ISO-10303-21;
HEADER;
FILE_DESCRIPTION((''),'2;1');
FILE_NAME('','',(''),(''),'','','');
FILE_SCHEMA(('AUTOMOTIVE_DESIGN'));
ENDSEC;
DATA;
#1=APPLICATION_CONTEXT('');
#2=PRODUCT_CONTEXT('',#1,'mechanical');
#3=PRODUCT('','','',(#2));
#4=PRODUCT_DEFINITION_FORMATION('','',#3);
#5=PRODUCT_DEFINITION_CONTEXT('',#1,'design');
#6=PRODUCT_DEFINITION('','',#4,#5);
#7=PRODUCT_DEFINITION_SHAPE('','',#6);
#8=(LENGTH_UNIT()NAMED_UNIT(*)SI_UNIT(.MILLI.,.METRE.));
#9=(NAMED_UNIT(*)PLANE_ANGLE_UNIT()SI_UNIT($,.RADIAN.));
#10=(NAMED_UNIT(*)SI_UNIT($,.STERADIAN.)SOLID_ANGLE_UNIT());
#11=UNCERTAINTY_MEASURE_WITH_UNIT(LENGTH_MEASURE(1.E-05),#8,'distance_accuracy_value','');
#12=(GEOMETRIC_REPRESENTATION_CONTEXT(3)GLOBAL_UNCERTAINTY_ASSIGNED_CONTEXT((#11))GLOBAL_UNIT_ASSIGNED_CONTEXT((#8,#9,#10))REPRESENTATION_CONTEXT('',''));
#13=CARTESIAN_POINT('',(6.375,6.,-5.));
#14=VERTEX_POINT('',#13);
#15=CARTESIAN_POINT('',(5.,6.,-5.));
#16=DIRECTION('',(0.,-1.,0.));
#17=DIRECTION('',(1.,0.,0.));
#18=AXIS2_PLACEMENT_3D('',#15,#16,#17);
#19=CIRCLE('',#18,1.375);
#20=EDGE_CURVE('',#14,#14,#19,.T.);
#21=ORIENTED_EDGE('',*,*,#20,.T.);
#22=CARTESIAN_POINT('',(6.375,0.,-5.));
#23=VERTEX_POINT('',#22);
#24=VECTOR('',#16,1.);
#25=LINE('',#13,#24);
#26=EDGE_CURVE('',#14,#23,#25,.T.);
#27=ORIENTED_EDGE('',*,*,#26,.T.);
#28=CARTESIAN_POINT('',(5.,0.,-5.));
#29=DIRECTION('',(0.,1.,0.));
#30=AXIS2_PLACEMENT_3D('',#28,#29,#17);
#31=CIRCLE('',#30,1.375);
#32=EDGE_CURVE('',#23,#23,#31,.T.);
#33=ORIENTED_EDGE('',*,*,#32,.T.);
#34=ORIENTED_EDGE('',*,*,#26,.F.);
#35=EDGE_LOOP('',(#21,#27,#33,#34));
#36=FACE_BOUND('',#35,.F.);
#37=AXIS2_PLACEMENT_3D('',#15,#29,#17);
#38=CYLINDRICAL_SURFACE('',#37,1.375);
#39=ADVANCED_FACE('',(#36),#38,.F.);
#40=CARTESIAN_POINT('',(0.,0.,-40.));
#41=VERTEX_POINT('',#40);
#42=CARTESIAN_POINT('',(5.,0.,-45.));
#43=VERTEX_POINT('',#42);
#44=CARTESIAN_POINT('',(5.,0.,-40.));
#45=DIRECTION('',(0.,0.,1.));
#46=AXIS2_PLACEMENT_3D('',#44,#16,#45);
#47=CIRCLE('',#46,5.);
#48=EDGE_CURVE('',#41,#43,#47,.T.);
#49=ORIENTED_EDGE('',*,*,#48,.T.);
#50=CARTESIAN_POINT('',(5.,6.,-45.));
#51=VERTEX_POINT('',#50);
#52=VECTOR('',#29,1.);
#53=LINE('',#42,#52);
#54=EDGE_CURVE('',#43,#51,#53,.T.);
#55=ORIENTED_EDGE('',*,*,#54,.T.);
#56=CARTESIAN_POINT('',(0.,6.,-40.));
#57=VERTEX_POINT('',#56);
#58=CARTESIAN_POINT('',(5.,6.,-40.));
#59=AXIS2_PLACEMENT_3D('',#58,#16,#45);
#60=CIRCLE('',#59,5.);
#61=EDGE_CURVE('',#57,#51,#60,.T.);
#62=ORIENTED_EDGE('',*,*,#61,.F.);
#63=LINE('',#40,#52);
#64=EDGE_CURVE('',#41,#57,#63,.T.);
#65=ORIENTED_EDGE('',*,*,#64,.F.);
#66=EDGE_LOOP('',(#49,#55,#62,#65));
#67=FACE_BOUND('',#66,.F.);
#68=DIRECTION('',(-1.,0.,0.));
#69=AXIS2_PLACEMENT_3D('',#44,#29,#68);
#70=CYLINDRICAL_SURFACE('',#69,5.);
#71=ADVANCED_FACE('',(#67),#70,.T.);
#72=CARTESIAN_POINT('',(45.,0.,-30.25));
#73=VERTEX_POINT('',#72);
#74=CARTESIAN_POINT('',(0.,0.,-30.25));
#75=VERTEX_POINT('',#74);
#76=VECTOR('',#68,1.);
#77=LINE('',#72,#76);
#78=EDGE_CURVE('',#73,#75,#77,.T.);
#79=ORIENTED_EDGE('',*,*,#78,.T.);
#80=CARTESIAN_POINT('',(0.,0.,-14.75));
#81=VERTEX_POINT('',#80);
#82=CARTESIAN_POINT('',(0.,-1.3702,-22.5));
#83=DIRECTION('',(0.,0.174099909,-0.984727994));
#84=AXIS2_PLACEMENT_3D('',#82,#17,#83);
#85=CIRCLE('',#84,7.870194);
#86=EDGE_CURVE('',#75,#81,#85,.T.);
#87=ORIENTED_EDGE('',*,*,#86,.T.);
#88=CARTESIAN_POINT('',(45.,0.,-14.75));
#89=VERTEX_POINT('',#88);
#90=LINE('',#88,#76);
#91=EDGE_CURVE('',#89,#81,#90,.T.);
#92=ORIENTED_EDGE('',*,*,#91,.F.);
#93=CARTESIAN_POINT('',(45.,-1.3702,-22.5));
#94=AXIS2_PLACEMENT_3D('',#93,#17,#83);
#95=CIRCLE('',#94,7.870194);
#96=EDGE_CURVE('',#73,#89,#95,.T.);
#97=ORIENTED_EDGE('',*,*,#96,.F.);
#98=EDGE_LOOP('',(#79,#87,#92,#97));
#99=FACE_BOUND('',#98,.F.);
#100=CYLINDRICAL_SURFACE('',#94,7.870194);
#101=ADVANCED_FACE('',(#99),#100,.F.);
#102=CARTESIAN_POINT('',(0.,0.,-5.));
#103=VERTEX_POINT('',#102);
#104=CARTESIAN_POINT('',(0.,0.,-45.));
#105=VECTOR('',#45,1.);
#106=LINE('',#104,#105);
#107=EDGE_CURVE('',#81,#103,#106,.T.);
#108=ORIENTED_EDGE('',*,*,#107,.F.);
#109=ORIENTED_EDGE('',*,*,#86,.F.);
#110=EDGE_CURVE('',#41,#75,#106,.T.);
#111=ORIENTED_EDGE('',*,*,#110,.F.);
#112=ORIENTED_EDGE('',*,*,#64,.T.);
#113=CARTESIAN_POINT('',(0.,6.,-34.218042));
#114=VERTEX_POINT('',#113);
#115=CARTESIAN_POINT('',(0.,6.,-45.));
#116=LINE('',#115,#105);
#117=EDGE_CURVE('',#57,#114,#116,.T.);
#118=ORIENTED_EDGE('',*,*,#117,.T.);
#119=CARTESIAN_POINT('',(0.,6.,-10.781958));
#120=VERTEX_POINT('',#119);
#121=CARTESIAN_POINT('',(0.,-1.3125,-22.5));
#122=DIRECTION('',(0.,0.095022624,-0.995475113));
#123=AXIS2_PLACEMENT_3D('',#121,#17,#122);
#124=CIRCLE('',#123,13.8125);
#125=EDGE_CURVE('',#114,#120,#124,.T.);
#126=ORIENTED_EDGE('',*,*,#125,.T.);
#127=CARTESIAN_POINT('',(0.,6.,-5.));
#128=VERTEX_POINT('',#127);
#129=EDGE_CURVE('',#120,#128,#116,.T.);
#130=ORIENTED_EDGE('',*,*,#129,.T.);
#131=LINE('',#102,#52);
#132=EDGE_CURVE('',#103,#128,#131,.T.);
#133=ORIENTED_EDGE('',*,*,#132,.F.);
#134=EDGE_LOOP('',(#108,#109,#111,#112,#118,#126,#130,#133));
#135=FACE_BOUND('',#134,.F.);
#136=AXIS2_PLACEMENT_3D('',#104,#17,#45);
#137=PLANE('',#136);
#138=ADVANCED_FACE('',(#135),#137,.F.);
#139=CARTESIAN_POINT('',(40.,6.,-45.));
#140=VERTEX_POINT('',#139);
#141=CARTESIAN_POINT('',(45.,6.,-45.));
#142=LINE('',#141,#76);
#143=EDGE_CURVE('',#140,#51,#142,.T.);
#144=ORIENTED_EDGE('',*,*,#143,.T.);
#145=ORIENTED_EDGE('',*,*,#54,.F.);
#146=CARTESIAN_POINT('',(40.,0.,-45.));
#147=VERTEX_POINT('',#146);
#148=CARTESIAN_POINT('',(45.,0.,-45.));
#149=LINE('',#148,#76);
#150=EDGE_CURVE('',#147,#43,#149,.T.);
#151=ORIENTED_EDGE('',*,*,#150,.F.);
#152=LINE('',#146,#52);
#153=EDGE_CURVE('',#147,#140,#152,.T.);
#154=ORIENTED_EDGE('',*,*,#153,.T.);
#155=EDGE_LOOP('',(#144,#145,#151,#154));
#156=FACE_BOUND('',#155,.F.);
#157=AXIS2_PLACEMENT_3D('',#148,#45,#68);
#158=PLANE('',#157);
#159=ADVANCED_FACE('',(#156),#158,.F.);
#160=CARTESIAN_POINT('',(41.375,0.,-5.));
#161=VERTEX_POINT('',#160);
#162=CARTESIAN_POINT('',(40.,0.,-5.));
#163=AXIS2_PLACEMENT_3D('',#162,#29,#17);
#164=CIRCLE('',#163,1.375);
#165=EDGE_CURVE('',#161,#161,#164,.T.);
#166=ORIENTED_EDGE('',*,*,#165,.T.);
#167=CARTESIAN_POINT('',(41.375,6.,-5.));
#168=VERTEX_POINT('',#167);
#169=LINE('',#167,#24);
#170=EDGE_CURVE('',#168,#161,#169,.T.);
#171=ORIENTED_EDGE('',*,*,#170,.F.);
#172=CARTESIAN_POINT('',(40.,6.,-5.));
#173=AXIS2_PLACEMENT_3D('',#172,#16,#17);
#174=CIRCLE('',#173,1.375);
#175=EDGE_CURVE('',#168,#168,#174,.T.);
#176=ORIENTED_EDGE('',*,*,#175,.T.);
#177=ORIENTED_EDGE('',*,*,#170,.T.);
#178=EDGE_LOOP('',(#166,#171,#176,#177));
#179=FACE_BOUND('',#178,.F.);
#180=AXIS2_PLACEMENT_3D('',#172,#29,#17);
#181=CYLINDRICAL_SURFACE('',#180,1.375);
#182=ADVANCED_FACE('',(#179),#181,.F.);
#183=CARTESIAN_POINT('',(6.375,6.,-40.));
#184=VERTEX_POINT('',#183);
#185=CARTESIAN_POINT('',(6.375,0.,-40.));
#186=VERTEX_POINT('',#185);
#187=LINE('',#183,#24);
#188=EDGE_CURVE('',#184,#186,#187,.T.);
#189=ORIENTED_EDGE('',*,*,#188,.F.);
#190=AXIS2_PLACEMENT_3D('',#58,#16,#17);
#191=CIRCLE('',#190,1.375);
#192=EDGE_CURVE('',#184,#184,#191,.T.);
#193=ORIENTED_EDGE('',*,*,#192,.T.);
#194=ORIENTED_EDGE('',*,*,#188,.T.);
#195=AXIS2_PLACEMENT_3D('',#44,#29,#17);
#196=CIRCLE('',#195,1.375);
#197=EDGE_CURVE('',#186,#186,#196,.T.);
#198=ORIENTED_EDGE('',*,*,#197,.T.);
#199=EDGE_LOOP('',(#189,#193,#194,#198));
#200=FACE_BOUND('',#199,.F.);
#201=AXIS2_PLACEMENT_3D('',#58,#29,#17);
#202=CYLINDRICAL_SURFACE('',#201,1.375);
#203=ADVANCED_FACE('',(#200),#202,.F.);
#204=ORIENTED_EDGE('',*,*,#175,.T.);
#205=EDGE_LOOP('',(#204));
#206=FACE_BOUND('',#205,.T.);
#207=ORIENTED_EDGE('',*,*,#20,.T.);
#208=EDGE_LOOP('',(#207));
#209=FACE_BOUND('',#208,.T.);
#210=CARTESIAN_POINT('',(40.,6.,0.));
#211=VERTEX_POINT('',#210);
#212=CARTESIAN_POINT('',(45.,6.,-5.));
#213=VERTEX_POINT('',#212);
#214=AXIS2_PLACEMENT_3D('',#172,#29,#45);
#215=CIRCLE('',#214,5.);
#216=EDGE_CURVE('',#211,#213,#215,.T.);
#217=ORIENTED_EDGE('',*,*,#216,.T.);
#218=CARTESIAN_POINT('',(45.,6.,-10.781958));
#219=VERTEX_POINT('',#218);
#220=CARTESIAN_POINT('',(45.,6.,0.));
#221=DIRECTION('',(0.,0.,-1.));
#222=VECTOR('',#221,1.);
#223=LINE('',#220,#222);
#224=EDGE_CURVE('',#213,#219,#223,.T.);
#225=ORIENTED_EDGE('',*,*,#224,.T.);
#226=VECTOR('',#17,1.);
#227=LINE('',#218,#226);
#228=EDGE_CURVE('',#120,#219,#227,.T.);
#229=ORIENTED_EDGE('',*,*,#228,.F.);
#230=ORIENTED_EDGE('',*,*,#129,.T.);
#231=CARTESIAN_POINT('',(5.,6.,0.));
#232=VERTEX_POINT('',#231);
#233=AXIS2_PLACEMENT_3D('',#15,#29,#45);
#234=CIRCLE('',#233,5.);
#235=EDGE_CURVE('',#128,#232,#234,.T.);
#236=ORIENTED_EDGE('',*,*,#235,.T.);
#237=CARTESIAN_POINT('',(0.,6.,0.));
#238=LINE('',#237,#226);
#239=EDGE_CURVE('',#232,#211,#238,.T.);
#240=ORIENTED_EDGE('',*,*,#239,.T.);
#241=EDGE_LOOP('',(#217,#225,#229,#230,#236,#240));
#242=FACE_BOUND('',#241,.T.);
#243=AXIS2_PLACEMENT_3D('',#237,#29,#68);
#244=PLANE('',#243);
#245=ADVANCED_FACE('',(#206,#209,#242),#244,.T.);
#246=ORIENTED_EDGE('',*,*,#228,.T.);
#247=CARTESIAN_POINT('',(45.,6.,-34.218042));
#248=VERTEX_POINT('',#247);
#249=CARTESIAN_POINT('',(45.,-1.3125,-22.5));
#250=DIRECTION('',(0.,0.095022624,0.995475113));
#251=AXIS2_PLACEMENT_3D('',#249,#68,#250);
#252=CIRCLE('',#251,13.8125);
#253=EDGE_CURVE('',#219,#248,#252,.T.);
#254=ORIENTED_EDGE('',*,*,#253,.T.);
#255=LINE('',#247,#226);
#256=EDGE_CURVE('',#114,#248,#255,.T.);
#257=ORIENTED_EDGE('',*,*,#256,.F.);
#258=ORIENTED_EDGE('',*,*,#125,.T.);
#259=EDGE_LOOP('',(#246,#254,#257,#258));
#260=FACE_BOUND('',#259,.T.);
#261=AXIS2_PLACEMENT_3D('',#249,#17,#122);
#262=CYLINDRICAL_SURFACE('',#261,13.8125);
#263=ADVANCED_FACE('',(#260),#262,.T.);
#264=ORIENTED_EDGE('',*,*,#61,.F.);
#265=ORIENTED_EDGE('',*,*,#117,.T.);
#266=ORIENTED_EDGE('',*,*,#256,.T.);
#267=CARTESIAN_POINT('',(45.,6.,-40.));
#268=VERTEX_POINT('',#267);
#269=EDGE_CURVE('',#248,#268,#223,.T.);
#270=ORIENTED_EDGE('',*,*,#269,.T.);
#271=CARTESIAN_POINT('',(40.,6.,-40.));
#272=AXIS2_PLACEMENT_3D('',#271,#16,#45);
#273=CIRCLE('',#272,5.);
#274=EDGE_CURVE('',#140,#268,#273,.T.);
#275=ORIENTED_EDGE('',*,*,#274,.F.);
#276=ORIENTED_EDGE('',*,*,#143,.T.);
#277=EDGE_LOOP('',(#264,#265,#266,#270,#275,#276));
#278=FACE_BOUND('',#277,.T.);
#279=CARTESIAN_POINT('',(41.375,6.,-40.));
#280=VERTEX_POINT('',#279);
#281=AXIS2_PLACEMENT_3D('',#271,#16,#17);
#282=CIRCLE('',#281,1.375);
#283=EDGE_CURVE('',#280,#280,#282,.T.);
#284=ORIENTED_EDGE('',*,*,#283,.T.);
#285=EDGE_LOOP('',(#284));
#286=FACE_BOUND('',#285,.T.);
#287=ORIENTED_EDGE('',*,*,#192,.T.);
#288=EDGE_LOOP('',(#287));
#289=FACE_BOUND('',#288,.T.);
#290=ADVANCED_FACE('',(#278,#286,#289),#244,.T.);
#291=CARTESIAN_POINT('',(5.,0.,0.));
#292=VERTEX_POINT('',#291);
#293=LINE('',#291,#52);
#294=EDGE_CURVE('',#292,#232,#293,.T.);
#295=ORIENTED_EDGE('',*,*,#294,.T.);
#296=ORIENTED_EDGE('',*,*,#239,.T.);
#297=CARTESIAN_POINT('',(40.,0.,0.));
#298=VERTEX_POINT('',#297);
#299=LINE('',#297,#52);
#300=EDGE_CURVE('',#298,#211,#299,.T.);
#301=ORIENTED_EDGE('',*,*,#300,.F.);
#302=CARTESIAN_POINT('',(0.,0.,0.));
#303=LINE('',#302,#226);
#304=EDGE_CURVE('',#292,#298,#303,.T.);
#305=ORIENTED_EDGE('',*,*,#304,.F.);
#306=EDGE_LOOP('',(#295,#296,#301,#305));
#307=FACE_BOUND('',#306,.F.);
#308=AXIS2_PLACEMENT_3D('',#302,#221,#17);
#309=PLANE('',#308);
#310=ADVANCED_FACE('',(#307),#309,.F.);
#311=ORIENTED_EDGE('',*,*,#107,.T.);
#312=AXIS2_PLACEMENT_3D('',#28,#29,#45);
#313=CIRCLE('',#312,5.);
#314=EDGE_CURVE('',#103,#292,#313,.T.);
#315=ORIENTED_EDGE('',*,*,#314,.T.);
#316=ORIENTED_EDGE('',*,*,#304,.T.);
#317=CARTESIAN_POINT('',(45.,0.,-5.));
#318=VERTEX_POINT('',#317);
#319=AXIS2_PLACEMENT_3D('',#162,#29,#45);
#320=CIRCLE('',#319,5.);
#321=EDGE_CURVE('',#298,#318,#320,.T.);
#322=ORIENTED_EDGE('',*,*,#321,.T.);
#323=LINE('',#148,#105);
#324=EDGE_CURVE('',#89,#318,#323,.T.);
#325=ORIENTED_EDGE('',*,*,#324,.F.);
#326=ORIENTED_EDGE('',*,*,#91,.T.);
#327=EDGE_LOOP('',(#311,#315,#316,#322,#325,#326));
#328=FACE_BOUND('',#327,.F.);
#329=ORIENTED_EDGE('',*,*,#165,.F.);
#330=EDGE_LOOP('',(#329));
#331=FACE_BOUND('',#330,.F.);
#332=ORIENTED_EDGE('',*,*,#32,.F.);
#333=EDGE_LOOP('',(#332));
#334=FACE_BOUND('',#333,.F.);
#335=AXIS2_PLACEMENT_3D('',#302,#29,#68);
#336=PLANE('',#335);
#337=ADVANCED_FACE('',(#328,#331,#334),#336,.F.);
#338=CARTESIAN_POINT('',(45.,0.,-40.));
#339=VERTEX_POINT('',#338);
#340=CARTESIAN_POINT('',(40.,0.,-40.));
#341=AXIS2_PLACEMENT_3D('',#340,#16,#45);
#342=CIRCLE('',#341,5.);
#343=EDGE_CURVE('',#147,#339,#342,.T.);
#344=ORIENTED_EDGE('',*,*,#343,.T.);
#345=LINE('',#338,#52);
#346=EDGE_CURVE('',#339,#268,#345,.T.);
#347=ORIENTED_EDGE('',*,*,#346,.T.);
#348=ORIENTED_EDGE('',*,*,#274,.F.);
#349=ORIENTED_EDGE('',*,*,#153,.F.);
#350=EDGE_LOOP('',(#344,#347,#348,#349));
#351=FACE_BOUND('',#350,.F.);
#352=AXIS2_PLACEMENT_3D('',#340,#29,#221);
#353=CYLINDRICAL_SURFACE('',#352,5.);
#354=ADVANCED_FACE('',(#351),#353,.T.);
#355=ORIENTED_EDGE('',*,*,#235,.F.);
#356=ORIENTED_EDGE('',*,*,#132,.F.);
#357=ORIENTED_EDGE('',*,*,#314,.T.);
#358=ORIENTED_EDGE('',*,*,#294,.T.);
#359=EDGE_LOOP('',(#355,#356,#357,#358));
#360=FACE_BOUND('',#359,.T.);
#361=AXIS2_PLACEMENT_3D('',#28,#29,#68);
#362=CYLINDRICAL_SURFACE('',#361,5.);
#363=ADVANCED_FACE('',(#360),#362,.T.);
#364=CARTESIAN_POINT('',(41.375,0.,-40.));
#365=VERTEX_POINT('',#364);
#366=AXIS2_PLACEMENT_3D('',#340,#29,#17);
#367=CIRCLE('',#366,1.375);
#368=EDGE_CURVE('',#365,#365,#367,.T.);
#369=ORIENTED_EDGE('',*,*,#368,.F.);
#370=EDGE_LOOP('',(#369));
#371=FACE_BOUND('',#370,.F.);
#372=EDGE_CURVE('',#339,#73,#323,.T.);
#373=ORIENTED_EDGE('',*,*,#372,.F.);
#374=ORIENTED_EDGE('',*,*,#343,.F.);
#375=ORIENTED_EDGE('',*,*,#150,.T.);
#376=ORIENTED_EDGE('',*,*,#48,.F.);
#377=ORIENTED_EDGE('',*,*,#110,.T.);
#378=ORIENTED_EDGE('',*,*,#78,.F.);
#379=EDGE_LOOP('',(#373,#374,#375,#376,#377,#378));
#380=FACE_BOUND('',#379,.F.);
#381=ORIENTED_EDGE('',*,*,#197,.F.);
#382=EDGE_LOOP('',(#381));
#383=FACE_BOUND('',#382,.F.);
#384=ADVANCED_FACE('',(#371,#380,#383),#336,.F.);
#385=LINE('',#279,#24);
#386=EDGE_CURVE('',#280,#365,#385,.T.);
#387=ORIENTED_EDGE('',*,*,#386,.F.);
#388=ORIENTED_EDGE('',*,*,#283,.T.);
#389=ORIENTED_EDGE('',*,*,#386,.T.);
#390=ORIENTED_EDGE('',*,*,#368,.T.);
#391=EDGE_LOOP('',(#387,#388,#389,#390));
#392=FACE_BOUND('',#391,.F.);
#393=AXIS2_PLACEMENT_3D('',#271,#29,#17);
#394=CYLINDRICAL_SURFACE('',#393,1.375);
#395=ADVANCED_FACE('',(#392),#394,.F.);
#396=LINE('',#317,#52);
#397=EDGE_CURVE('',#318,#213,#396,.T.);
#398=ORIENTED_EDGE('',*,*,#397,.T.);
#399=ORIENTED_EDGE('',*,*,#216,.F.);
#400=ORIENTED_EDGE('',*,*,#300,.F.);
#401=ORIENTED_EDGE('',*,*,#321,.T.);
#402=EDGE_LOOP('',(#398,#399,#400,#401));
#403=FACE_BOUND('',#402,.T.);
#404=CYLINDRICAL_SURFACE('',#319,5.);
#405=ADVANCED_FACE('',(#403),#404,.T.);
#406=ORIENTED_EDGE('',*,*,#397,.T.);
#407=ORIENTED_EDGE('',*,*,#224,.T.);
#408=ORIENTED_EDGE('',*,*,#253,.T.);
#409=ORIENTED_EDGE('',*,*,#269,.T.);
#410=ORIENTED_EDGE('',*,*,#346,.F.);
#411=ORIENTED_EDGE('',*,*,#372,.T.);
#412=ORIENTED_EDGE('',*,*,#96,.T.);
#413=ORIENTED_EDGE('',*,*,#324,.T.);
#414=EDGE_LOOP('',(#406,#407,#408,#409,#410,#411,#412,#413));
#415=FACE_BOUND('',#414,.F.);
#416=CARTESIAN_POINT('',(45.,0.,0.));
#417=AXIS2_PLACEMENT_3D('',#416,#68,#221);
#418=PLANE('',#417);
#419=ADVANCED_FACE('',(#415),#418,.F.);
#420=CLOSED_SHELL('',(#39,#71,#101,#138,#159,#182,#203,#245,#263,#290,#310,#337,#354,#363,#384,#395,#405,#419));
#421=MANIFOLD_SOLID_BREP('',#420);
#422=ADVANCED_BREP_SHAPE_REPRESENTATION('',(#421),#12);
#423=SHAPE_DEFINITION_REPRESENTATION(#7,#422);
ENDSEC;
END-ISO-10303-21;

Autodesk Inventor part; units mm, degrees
ref_plane "YZ Plane" through (0, 0, 0) normal (1, 0, 0) x (0, 1, 0)
ref_plane "XZ Plane" through (0, 0, 0) normal (0, 1, 0) x (-1, 0, 0)
ref_plane "XY Plane" through (0, 0, 0) normal (0, 0, 1) x (1, 0, 0)
sketch "Sketch1" plane through (0, 0, 0) normal (0, 1, 0) x (-1, 0, 0)
  line L0 (0, 0) -> (-45, 0)
  line L1 (-45, 0) -> (-45, -45)
  line L2 (-45, -45) -> (0, -45)
  line L3 (0, -45) -> (0, 0)
  dimension "d0" = 45
  dimension "d1" = 45
extrude "Extrusion1" add sketch "Sketch1" along normal blind 6
sketch "Sketch2" plane through (45, 0, 0) normal (1, 0, 0) x (0, 0, -1)
  line L0 (0, 0) -> (45, 0) projected
  line L1 (45, 0) -> (45, 6) projected
  line L2 (0, 6) -> (45, 6) projected
  line L3 (0, 0) -> (0, 6) projected
  line L4 (22.5, 0) -> (30.25, 0)
  line L5 (0, 0) -> (45, 0) projected
  line L6 (30.25, 0) -> (14.75, 0)
  line L7 (22.5, 0) -> (22.5, 6.5)
  arc A0 (30.25, 0) -> (14.75, 0) centre (22.5, -1.3702) ccw
  line L8 (14.75, 0) -> (8.75, 0)
  line L9 (30.25, 0) -> (36.25, 0)
  line L10 (22.5, 6.5) -> (22.5, 12.5)
  arc A1 (36.25, 0) -> (8.75, 0) centre (22.5, -1.3125) ccw
  arc A2 (30.25, 0) -> (14.75, 0) centre (22.5, -1.3702) ccw
  line L11 (14.75, 0) -> (30.25, 0)
  point P0 (22.5, 3)
  dimension "d4" = 7.75
  dimension "d5" = 15.5
  dimension "d6" = 6.5
  dimension "d7" = 6
  dimension "d8" = 6
  dimension "d9" = 6
extrude "Extrusion2" add sketch "Sketch2" against normal blind 45 contours A1 L2 A0 L0 | A1 L10 A0 L2 | A1 L2 A0 L10 | A0 L2 A1 L0
sketch "Sketch3" plane through (45, 0, 0) normal (1, 0, 0) x (0, 0, -1)
  line L0 (0, 0) -> (45, 0)
  line L1 (0, 6) -> (45, 6)
  line L2 (22.5, 0) -> (30.25, 0)
  line L3 (0, 0) -> (45, 0)
  line L4 (30.25, 0) -> (14.75, 0)
  line L5 (22.5, 0) -> (22.5, 6.5)
  arc A0 (30.25, 0) -> (14.75, 0) centre (22.5, -1.3702) ccw
  line L6 (14.75, 0) -> (8.75, 0)
  line L7 (30.25, 0) -> (36.25, 0)
  line L8 (22.5, 6.5) -> (22.5, 12.5)
  arc A1 (30.25, 0) -> (14.75, 0) centre (22.5, -1.3702) ccw
  line L9 (14.75, 0) -> (30.25, 0)
  point P0 (22.5, 3)
  point P1 (22.5, -1.3125)
  dimension "d12" = 7.75
  dimension "d13" = 15.5
  dimension "d14" = 6.5
  dimension "d15" = 6
  dimension "d16" = 6
  dimension "d17" = 6
extrude "Extrusion3" cut sketch "Sketch3" against normal blind 45
fillet "Fillet1" radius 5 4 edges at (45, 3, 0) (45, 3, -45) (0, 3, 0) (0, 3, -45)
sketch "Sketch4" plane through (0, 6, 0) normal (0, 1, 0) x (1, 0, 0)
  arc A0 (0, 5) -> (5, 0) centre (5, 5) ccw projected
  line L0 (5, 0) -> (40, 0) projected
  arc A1 (40, 0) -> (45, 5) centre (40, 5) ccw projected
  line L1 (45, 5) -> (45, 10.782) projected
  line L2 (45, 10.782) -> (0, 10.782) projected
  line L3 (0, 10.782) -> (0, 5) projected
  line L4 (45, 10.782) -> (0, 10.782) projected
  line L5 (45, 34.218) -> (45, 10.782) projected
  line L6 (0, 34.218) -> (45, 34.218) projected
  line L7 (0, 10.782) -> (0, 34.218) projected
  arc A2 (5, 45) -> (0, 40) centre (5, 40) ccw projected
  line L8 (0, 40) -> (0, 34.218) projected
  line L9 (0, 34.218) -> (45, 34.218) projected
  line L10 (45, 34.218) -> (45, 40) projected
  arc A3 (45, 40) -> (40, 45) centre (40, 40) ccw projected
  line L11 (40, 45) -> (5, 45) projected
  line L12 (5, 5) -> (5, 40)
  line L13 (5, 40) -> (40, 40)
  line L14 (40, 40) -> (40, 5)
  line L15 (40, 5) -> (5, 5)
  circle A4 centre (5, 5) radius 1.375
  circle A5 centre (40, 5) radius 1.375
  circle A6 centre (5, 40) radius 1.375
  circle A7 centre (40, 40) radius 1.375
  point P0 (0, 0)
  dimension "d21" = 2.75
  dimension "d22" = 2.75
  dimension "d23" = 2.75
  dimension "d24" = 2.75
extrude "Extrusion4" cut sketch "Sketch4" against normal blind 45 contours A4 L15 L12 | L12 L15 A4 | A5 L15 L14 | L14 L15 A5 | A6 L13 L12 | L12 L13 A6 | A7 L13 L14 | L14 L13 A7
sketch "Sketch5" plane through (0, 0, 0) normal (0, -1, 0) x (1, 0, 0)
  line L0 (45, -5) -> (45, -14.75) projected
  line L1 (45, -14.75) -> (45, -30.25) projected
  line L2 (45, -30.25) -> (45, -40) projected
  arc A0 (40, -45) -> (45, -40) centre (40, -40) ccw projected
  circle A1 centre (40, -40) radius 1.375 projected
  circle A2 centre (40, -5) radius 1.375 projected
  arc A3 (45, -5) -> (40, 0) centre (40, -5) ccw projected
  line L3 (5, 0) -> (40, 0) projected
  circle A4 centre (5, -5) radius 1.375 projected
  arc A5 (5, 0) -> (0, -5) centre (5, -5) ccw projected
  line L4 (0, -14.75) -> (0, -5) projected
  line L5 (0, -30.25) -> (0, -14.75) projected
  line L6 (0, -40) -> (0, -30.25) projected
  arc A6 (0, -40) -> (5, -45) centre (5, -40) ccw projected
  line L7 (40, -45) -> (5, -45) projected
  circle A7 centre (5, -40) radius 1.375 projected
  point P0 (0, 0)
properties part number "Roof" material "PC/ABS Plastic"
